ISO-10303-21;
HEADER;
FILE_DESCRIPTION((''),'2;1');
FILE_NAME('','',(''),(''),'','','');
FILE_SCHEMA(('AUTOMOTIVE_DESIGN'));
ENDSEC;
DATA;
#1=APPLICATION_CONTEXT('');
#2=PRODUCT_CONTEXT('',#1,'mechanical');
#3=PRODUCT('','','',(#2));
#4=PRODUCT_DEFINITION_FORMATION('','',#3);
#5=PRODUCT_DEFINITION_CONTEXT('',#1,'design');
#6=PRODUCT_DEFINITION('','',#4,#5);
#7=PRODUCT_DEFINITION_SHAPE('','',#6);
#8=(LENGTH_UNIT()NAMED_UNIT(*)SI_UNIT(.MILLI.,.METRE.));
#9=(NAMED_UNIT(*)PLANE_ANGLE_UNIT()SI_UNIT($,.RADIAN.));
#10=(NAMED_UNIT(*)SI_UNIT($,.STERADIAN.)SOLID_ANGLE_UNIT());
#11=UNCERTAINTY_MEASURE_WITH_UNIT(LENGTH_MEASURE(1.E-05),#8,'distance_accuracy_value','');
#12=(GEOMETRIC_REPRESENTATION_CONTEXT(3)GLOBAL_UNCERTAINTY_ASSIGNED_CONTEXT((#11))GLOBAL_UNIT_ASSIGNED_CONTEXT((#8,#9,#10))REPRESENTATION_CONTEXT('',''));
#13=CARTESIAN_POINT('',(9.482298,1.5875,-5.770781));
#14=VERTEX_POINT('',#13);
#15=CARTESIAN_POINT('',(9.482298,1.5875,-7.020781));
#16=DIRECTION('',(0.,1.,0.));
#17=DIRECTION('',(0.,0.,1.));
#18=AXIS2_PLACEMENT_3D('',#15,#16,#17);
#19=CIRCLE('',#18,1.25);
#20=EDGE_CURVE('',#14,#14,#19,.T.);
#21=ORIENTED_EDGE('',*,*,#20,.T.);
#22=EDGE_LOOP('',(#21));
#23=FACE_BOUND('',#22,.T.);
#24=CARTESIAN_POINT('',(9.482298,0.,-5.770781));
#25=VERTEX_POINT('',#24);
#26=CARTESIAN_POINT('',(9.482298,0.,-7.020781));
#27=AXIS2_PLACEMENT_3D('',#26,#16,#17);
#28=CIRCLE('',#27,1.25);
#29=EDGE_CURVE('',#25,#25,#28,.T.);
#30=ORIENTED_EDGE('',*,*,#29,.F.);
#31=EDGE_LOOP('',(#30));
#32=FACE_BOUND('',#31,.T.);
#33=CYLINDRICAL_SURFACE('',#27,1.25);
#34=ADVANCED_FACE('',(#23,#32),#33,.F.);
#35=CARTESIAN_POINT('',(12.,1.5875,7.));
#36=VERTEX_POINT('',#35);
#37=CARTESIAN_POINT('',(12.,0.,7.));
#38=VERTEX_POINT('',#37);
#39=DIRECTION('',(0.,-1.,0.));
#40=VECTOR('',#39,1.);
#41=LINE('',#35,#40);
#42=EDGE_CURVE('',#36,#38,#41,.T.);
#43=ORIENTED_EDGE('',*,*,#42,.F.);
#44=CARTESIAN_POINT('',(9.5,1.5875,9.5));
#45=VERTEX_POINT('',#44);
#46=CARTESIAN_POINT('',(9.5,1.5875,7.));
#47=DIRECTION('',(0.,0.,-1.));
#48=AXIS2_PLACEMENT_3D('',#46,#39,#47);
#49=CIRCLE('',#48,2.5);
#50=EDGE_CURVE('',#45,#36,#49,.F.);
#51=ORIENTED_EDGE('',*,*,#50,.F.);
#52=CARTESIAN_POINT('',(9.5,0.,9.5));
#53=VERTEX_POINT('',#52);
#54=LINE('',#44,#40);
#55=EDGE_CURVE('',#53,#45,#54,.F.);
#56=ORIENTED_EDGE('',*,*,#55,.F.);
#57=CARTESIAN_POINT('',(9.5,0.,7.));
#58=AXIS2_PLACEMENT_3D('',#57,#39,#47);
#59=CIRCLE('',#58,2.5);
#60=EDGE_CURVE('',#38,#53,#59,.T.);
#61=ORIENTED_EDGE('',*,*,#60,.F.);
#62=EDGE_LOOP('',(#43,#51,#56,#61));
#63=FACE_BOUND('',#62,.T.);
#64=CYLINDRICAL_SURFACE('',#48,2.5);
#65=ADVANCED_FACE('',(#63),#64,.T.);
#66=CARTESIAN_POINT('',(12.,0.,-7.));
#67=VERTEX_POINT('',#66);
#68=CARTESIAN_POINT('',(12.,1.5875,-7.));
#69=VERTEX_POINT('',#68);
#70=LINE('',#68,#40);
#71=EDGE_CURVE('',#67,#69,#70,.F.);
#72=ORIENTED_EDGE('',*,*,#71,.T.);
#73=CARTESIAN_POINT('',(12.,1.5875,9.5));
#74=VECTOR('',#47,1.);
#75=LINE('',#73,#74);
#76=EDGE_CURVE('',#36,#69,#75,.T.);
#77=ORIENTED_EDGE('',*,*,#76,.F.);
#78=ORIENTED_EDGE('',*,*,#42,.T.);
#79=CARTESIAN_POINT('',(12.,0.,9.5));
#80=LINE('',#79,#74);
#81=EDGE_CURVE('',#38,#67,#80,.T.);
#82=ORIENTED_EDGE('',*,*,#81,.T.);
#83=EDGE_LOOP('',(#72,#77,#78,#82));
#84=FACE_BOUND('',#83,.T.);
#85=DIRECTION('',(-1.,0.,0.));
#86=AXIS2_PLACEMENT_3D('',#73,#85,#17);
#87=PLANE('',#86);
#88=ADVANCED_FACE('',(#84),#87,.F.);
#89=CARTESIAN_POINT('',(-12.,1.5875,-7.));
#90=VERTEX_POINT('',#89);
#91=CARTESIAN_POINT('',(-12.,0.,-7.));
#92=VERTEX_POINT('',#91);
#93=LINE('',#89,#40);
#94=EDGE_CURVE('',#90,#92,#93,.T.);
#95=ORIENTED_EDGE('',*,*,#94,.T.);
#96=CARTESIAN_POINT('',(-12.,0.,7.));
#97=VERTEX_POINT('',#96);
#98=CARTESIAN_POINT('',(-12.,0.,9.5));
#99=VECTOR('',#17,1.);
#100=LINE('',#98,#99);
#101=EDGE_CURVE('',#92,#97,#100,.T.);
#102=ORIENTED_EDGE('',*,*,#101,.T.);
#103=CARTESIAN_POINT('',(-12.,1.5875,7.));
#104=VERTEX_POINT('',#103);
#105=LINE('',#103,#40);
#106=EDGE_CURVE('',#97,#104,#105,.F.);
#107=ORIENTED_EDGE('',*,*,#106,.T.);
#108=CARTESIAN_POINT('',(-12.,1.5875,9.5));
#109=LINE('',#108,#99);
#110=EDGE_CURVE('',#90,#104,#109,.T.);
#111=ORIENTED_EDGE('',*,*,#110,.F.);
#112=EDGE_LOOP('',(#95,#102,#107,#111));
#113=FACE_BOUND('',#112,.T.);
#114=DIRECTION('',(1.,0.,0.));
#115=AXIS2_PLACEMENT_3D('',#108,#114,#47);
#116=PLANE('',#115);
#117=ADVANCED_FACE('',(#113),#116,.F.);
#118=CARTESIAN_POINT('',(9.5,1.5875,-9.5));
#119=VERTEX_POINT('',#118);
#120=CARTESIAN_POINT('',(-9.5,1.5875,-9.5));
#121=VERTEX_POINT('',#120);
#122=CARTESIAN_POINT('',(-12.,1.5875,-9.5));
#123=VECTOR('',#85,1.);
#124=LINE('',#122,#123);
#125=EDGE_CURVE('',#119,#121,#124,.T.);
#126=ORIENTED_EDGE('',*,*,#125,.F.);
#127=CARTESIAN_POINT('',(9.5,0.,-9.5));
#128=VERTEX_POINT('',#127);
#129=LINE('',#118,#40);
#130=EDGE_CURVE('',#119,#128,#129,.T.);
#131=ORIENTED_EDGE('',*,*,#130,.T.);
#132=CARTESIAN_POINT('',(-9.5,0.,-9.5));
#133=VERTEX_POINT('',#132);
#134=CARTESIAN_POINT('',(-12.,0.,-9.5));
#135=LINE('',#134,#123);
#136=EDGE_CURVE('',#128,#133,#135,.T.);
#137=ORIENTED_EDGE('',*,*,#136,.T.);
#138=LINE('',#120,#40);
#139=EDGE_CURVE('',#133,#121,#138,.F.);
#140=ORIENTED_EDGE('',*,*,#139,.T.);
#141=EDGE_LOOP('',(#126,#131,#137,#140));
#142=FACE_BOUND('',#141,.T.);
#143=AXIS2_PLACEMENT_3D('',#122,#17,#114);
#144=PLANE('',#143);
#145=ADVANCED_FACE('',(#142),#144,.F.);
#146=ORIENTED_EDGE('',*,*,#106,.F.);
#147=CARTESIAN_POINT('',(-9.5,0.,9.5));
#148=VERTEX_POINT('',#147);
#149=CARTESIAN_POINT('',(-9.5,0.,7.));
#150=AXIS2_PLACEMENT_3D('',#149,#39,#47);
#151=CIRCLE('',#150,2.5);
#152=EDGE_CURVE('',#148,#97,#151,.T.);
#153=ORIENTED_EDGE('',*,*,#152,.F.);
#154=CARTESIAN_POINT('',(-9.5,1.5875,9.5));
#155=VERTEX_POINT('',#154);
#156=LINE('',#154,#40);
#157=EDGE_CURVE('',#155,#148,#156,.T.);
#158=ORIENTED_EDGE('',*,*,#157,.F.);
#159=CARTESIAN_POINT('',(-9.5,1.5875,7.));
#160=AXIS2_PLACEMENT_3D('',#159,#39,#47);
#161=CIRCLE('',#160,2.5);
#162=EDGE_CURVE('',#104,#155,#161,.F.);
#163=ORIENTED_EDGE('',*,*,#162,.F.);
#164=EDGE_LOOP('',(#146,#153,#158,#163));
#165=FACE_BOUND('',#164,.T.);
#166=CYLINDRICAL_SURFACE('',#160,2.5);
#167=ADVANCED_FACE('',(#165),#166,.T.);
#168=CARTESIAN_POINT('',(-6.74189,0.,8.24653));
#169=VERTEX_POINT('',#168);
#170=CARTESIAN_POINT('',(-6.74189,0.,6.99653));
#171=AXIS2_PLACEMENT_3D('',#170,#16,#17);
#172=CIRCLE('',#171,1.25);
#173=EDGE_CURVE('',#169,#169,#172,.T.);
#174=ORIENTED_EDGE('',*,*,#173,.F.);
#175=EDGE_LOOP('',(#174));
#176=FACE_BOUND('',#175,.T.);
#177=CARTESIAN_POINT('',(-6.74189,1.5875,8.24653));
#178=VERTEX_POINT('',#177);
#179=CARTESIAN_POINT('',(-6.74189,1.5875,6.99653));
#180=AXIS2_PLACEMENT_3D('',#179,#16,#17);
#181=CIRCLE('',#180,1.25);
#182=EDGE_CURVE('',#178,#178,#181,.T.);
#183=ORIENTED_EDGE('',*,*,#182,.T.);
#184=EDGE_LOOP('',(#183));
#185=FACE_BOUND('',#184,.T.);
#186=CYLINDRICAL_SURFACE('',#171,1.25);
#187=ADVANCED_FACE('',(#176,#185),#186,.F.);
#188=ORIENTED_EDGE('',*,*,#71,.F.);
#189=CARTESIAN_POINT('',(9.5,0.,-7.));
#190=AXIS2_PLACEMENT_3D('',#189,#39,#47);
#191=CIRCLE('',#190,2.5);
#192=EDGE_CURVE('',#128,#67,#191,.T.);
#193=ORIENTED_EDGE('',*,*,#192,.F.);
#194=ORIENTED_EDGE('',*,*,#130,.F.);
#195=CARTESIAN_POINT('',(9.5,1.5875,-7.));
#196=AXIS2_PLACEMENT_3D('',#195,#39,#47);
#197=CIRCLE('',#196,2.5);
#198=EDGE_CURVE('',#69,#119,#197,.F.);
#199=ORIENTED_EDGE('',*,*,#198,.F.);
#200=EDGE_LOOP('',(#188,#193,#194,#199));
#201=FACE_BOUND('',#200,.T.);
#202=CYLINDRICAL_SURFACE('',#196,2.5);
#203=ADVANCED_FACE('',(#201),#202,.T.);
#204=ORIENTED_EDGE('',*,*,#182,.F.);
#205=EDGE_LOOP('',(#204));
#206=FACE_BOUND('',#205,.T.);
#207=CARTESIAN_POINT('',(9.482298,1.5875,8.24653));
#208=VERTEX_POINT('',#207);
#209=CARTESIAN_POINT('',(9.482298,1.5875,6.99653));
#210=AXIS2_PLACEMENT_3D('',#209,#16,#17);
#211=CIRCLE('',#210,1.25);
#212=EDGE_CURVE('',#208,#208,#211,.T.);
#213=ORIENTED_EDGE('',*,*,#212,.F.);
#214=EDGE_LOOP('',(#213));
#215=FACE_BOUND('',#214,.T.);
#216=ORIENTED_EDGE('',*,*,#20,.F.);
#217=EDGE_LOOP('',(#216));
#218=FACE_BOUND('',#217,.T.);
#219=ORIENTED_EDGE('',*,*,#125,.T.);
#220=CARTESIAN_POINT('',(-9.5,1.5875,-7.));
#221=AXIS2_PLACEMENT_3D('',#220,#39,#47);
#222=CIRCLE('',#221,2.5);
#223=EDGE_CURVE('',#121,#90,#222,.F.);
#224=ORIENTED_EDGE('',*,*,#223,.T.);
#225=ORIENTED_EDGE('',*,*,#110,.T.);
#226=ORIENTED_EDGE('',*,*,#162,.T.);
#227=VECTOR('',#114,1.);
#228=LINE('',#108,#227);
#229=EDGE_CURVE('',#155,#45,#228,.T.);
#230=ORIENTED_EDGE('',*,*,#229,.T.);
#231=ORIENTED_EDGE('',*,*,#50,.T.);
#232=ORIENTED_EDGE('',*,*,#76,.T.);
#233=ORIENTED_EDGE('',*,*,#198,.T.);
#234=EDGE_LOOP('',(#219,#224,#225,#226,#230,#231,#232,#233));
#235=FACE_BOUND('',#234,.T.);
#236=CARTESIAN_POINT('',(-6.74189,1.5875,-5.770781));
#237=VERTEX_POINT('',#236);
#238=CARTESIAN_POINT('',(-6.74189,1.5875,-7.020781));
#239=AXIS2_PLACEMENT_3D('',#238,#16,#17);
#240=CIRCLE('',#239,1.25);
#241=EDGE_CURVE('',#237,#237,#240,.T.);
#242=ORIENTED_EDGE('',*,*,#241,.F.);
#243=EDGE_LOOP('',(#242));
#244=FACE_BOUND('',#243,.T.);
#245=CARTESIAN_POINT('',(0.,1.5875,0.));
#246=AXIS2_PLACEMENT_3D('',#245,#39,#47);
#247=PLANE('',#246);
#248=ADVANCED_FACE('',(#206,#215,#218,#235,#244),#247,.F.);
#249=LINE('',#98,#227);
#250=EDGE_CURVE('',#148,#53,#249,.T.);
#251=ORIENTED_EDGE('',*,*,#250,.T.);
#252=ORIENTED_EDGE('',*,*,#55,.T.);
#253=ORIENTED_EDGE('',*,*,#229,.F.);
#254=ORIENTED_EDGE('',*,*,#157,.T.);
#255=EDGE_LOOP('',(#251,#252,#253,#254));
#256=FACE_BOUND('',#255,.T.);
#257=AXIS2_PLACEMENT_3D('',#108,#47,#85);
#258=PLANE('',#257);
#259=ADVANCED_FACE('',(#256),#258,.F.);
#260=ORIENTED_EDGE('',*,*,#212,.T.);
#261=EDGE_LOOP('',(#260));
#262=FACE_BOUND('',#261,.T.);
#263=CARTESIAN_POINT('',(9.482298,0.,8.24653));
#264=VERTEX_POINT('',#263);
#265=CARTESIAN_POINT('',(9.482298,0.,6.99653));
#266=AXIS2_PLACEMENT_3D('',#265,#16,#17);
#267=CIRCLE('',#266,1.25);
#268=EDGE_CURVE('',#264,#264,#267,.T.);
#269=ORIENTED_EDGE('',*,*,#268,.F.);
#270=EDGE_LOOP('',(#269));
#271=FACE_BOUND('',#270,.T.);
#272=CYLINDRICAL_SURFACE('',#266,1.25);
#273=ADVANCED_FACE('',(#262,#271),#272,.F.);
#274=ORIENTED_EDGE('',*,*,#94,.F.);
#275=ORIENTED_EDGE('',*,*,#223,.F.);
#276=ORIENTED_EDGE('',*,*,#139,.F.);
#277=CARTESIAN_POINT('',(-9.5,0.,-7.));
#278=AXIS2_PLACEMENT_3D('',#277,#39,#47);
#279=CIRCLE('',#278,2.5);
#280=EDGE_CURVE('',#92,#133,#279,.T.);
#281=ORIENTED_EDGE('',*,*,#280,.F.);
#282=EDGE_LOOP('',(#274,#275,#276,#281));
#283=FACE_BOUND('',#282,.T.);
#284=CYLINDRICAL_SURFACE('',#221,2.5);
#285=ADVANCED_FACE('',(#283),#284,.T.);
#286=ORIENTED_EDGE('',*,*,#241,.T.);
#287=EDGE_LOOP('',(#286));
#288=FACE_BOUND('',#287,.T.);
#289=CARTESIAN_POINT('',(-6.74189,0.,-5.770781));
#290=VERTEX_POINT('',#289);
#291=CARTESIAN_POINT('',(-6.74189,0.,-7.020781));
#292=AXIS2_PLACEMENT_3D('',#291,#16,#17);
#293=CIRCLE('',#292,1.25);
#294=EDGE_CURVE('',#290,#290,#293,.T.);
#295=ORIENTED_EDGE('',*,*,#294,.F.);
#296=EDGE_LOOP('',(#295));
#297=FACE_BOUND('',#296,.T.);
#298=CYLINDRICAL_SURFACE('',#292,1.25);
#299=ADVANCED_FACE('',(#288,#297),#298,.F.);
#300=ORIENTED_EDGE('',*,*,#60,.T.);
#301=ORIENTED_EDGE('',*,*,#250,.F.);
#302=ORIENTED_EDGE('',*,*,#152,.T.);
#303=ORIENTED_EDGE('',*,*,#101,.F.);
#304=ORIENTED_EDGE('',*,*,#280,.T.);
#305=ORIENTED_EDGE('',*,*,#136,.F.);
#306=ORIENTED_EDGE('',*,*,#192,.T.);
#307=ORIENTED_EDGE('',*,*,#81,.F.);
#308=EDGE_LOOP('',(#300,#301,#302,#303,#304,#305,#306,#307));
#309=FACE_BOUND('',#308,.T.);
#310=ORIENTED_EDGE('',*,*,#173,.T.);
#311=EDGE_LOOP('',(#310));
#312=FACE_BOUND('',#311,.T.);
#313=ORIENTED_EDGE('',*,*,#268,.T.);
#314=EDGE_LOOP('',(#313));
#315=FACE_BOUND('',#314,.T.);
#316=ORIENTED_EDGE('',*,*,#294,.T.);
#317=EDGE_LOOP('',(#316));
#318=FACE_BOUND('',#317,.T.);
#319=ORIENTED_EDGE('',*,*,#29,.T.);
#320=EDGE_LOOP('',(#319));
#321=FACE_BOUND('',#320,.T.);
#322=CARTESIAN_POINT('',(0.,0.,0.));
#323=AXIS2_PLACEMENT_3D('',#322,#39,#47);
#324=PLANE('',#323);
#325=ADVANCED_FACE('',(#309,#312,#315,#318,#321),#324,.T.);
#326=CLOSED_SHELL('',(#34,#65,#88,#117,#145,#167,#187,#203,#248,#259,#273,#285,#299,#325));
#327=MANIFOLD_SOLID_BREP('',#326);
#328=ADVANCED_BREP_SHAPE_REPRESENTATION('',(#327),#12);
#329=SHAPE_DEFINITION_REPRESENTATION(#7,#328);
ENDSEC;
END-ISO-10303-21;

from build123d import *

# Parameters (mm, degrees)
SKETCH1_W           = 24
SKETCH1_H           = 19
BOSS_EXTRUDE1_DEPTH = 1.5875
FILLET1_R           = 2.5
SKETCH2_R           = 1.25
CUT_EXTRUDE1_DEPTH  = 16.38733753


with BuildPart() as part:
    # Sketch1 → Boss-Extrude1 (new body)
    with BuildSketch(Plane(origin=(0, 0, 0), x_dir=(1, 0, 0), z_dir=(0, 1, 0))):
        Rectangle(SKETCH1_W, SKETCH1_H)
    extrude(amount=BOSS_EXTRUDE1_DEPTH)

    # Fillet1
    fillet1_edges = [part.edges().sort_by_distance(p)[0] for p in [
        (12, 0.79375, 9.5),
        (-12, 0.79375, 9.5),
        (-12, 0.79375, -9.5),
        (12, 0.79375, -9.5),
    ]]
    fillet(fillet1_edges, radius=FILLET1_R)

    # Sketch2 → Cut-Extrude1 (cut, through all)
    with BuildSketch(Plane(origin=(0, 1.5875, 0), x_dir=(1, 0, 0), z_dir=(0, 1, 0))):
        with Locations(Location((-6.74188989, 7.020781019, 0), (0, 0, 270))):
            Circle(SKETCH2_R)
        with Locations(Location((9.482298371, 7.020781019, 0), (0, 0, 270))):
            Circle(SKETCH2_R)
        with Locations(Location((9.482298371, -6.996529616, 0), (0, 0, 270))):
            Circle(SKETCH2_R)
        with Locations(Location((-6.74188989, -6.996529616, 0), (0, 0, 270))):
            Circle(SKETCH2_R)
    extrude(amount=-CUT_EXTRUDE1_DEPTH, mode=Mode.SUBTRACT)


solid = part.part
